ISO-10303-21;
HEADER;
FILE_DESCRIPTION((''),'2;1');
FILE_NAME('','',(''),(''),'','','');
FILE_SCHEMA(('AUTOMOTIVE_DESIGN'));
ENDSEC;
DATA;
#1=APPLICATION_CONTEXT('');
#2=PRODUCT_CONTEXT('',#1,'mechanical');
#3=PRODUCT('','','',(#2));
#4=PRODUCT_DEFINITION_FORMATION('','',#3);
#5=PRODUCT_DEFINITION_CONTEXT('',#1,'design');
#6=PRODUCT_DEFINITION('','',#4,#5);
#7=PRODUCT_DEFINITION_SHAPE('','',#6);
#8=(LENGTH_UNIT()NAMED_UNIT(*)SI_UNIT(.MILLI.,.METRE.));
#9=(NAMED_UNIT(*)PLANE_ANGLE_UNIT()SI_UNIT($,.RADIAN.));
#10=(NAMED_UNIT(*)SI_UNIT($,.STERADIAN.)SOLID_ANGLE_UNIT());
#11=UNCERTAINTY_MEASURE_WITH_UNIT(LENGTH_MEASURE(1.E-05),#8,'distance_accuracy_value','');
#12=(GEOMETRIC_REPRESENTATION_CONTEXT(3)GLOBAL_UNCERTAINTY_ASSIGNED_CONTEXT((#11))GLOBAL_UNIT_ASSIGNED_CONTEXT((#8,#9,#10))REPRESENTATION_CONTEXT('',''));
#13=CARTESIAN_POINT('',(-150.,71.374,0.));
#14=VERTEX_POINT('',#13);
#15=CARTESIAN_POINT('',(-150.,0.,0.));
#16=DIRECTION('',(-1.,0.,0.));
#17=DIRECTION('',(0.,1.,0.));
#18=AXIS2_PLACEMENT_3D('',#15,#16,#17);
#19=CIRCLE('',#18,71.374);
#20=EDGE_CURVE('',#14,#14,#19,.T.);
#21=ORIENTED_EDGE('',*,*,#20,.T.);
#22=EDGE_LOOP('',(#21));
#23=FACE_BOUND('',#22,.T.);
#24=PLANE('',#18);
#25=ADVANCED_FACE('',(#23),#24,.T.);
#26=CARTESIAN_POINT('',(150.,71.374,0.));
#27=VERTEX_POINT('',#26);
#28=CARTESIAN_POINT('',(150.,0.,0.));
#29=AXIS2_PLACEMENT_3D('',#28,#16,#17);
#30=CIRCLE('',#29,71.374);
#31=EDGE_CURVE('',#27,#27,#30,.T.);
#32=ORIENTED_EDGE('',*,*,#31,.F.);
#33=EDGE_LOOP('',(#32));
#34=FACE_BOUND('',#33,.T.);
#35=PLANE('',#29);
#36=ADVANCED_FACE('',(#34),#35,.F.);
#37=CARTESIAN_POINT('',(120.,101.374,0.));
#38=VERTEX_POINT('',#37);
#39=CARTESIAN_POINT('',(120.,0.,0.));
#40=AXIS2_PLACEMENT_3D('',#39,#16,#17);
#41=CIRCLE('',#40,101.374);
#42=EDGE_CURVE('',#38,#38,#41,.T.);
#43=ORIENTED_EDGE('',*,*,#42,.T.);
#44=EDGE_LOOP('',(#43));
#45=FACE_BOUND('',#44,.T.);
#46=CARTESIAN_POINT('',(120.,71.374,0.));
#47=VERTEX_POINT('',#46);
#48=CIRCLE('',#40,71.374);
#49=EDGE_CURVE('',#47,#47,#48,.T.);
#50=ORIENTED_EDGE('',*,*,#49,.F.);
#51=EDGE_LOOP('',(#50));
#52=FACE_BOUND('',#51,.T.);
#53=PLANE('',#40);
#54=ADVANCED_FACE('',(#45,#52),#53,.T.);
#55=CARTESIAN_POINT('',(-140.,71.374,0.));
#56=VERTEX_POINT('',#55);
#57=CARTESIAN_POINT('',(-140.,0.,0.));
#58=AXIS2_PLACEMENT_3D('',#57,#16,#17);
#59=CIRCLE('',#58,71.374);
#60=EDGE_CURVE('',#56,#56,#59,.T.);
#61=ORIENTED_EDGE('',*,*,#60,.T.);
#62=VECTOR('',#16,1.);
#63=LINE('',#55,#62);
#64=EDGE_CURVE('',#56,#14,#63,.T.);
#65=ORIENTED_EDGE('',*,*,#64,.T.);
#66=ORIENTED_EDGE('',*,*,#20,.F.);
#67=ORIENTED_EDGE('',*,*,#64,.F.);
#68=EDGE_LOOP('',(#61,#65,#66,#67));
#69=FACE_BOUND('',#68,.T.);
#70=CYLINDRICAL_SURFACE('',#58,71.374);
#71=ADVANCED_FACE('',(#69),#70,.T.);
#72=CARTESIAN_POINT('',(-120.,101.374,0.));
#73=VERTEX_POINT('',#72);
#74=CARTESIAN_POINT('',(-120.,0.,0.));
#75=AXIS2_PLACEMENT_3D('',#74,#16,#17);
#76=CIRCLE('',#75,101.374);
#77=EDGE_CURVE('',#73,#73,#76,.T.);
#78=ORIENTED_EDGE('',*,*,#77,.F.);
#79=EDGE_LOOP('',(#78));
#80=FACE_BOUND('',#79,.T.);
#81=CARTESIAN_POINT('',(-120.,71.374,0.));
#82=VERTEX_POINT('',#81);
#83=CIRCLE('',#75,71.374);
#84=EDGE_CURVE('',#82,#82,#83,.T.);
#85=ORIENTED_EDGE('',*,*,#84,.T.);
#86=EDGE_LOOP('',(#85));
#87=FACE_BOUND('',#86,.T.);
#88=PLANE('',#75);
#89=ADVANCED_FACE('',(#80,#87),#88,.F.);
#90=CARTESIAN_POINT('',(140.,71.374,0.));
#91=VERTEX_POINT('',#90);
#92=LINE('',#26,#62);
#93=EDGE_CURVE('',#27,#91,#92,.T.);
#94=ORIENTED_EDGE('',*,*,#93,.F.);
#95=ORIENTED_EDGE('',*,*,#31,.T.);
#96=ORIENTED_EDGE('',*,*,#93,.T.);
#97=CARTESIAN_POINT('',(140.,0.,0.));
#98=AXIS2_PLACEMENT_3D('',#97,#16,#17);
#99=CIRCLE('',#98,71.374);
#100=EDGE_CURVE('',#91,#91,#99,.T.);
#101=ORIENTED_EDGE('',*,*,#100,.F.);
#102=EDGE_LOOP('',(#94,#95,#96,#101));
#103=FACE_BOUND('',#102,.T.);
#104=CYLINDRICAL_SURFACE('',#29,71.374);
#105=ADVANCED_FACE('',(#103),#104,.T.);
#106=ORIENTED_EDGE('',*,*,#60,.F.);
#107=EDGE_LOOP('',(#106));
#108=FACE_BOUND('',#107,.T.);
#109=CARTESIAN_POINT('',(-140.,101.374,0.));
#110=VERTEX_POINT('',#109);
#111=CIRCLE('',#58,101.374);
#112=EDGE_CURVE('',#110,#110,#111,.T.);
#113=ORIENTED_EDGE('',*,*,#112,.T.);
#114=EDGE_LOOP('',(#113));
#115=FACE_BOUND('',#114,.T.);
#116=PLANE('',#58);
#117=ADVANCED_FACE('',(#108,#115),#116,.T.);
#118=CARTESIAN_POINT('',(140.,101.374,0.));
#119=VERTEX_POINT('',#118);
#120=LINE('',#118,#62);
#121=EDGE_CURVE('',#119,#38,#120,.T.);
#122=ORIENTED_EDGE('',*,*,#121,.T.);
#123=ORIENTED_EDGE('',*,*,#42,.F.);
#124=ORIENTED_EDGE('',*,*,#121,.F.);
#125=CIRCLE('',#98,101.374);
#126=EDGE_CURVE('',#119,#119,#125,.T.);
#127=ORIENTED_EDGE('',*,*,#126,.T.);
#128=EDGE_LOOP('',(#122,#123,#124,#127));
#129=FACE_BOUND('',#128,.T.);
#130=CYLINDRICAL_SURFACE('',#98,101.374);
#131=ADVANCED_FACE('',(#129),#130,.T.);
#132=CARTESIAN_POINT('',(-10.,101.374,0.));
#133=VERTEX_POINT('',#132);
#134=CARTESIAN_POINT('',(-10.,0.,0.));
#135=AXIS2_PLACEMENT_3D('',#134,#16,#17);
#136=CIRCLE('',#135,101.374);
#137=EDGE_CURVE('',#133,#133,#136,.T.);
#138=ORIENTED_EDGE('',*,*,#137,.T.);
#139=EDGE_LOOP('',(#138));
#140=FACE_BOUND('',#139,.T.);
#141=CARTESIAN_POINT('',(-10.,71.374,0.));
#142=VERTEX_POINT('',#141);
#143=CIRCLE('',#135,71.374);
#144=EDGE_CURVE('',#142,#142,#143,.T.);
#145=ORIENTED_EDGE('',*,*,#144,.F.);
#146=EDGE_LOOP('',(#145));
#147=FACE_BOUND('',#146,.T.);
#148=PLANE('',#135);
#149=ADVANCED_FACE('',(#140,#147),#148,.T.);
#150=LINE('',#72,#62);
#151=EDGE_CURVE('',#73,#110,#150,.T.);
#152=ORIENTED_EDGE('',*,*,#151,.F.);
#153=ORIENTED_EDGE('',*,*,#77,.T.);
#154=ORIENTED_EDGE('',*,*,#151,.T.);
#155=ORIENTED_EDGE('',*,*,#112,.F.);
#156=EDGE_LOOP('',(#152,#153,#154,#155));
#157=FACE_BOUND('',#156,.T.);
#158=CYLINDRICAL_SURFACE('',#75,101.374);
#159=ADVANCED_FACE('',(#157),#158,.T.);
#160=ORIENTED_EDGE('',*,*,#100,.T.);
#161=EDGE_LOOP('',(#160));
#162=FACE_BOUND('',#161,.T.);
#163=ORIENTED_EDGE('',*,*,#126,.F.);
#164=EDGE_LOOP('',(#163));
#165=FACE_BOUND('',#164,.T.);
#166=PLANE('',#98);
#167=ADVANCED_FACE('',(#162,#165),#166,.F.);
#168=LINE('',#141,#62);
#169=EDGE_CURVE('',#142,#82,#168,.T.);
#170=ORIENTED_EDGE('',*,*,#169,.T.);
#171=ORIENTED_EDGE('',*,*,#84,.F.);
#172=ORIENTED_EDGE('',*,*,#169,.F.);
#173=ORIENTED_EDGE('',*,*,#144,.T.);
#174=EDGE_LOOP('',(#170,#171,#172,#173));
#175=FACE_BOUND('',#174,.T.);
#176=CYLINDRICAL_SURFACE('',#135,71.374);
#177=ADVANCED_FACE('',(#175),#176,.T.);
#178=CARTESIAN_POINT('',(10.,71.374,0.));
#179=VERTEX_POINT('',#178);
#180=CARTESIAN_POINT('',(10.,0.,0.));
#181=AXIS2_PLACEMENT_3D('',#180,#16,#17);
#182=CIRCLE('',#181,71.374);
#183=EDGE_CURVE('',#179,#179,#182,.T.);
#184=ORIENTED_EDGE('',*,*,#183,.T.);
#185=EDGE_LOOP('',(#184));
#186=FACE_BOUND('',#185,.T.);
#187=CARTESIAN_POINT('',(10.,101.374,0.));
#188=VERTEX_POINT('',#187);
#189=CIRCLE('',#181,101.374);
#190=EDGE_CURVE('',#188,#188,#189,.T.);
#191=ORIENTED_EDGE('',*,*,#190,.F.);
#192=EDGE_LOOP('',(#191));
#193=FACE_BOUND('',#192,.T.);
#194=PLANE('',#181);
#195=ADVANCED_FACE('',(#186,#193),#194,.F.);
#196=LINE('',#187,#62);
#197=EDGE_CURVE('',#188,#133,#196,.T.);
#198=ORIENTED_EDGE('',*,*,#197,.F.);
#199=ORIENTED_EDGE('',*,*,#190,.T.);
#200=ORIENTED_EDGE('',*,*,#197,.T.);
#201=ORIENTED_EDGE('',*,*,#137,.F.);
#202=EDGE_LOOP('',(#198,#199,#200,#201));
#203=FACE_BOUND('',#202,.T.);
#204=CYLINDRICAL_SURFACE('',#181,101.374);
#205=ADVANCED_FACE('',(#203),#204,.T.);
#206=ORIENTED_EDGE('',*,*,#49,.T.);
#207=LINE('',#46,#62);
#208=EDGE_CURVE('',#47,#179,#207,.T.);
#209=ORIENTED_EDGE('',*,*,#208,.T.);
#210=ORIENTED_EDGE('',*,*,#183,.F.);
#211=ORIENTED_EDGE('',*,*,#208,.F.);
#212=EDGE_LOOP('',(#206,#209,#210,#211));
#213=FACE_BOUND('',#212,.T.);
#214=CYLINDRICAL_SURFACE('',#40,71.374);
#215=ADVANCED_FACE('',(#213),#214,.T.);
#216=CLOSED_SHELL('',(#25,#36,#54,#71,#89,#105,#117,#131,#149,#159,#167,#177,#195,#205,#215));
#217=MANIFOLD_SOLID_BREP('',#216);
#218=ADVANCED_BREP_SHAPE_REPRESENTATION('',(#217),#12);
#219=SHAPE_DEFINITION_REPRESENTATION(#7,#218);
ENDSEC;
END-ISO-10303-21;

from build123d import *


with BuildPart() as f1:
    # F0 (on Top) → F1 (revolve)
    with BuildSketch(Plane.XY):
        Polygon((-150, 71.374), (-150, 0), (150, 0), (150, 71.374), (140, 71.374), (140, 101.374), (120, 101.374), (120, 71.374), (10, 71.374), (10, 101.374), (-10, 101.374), (-10, 71.374), (-120, 71.374), (-120, 101.374), (-140, 101.374), (-140, 71.374), align=None)
    revolve(axis=Axis((0, 0, 0), (-1, 0, 0)))


solid = f1.part
